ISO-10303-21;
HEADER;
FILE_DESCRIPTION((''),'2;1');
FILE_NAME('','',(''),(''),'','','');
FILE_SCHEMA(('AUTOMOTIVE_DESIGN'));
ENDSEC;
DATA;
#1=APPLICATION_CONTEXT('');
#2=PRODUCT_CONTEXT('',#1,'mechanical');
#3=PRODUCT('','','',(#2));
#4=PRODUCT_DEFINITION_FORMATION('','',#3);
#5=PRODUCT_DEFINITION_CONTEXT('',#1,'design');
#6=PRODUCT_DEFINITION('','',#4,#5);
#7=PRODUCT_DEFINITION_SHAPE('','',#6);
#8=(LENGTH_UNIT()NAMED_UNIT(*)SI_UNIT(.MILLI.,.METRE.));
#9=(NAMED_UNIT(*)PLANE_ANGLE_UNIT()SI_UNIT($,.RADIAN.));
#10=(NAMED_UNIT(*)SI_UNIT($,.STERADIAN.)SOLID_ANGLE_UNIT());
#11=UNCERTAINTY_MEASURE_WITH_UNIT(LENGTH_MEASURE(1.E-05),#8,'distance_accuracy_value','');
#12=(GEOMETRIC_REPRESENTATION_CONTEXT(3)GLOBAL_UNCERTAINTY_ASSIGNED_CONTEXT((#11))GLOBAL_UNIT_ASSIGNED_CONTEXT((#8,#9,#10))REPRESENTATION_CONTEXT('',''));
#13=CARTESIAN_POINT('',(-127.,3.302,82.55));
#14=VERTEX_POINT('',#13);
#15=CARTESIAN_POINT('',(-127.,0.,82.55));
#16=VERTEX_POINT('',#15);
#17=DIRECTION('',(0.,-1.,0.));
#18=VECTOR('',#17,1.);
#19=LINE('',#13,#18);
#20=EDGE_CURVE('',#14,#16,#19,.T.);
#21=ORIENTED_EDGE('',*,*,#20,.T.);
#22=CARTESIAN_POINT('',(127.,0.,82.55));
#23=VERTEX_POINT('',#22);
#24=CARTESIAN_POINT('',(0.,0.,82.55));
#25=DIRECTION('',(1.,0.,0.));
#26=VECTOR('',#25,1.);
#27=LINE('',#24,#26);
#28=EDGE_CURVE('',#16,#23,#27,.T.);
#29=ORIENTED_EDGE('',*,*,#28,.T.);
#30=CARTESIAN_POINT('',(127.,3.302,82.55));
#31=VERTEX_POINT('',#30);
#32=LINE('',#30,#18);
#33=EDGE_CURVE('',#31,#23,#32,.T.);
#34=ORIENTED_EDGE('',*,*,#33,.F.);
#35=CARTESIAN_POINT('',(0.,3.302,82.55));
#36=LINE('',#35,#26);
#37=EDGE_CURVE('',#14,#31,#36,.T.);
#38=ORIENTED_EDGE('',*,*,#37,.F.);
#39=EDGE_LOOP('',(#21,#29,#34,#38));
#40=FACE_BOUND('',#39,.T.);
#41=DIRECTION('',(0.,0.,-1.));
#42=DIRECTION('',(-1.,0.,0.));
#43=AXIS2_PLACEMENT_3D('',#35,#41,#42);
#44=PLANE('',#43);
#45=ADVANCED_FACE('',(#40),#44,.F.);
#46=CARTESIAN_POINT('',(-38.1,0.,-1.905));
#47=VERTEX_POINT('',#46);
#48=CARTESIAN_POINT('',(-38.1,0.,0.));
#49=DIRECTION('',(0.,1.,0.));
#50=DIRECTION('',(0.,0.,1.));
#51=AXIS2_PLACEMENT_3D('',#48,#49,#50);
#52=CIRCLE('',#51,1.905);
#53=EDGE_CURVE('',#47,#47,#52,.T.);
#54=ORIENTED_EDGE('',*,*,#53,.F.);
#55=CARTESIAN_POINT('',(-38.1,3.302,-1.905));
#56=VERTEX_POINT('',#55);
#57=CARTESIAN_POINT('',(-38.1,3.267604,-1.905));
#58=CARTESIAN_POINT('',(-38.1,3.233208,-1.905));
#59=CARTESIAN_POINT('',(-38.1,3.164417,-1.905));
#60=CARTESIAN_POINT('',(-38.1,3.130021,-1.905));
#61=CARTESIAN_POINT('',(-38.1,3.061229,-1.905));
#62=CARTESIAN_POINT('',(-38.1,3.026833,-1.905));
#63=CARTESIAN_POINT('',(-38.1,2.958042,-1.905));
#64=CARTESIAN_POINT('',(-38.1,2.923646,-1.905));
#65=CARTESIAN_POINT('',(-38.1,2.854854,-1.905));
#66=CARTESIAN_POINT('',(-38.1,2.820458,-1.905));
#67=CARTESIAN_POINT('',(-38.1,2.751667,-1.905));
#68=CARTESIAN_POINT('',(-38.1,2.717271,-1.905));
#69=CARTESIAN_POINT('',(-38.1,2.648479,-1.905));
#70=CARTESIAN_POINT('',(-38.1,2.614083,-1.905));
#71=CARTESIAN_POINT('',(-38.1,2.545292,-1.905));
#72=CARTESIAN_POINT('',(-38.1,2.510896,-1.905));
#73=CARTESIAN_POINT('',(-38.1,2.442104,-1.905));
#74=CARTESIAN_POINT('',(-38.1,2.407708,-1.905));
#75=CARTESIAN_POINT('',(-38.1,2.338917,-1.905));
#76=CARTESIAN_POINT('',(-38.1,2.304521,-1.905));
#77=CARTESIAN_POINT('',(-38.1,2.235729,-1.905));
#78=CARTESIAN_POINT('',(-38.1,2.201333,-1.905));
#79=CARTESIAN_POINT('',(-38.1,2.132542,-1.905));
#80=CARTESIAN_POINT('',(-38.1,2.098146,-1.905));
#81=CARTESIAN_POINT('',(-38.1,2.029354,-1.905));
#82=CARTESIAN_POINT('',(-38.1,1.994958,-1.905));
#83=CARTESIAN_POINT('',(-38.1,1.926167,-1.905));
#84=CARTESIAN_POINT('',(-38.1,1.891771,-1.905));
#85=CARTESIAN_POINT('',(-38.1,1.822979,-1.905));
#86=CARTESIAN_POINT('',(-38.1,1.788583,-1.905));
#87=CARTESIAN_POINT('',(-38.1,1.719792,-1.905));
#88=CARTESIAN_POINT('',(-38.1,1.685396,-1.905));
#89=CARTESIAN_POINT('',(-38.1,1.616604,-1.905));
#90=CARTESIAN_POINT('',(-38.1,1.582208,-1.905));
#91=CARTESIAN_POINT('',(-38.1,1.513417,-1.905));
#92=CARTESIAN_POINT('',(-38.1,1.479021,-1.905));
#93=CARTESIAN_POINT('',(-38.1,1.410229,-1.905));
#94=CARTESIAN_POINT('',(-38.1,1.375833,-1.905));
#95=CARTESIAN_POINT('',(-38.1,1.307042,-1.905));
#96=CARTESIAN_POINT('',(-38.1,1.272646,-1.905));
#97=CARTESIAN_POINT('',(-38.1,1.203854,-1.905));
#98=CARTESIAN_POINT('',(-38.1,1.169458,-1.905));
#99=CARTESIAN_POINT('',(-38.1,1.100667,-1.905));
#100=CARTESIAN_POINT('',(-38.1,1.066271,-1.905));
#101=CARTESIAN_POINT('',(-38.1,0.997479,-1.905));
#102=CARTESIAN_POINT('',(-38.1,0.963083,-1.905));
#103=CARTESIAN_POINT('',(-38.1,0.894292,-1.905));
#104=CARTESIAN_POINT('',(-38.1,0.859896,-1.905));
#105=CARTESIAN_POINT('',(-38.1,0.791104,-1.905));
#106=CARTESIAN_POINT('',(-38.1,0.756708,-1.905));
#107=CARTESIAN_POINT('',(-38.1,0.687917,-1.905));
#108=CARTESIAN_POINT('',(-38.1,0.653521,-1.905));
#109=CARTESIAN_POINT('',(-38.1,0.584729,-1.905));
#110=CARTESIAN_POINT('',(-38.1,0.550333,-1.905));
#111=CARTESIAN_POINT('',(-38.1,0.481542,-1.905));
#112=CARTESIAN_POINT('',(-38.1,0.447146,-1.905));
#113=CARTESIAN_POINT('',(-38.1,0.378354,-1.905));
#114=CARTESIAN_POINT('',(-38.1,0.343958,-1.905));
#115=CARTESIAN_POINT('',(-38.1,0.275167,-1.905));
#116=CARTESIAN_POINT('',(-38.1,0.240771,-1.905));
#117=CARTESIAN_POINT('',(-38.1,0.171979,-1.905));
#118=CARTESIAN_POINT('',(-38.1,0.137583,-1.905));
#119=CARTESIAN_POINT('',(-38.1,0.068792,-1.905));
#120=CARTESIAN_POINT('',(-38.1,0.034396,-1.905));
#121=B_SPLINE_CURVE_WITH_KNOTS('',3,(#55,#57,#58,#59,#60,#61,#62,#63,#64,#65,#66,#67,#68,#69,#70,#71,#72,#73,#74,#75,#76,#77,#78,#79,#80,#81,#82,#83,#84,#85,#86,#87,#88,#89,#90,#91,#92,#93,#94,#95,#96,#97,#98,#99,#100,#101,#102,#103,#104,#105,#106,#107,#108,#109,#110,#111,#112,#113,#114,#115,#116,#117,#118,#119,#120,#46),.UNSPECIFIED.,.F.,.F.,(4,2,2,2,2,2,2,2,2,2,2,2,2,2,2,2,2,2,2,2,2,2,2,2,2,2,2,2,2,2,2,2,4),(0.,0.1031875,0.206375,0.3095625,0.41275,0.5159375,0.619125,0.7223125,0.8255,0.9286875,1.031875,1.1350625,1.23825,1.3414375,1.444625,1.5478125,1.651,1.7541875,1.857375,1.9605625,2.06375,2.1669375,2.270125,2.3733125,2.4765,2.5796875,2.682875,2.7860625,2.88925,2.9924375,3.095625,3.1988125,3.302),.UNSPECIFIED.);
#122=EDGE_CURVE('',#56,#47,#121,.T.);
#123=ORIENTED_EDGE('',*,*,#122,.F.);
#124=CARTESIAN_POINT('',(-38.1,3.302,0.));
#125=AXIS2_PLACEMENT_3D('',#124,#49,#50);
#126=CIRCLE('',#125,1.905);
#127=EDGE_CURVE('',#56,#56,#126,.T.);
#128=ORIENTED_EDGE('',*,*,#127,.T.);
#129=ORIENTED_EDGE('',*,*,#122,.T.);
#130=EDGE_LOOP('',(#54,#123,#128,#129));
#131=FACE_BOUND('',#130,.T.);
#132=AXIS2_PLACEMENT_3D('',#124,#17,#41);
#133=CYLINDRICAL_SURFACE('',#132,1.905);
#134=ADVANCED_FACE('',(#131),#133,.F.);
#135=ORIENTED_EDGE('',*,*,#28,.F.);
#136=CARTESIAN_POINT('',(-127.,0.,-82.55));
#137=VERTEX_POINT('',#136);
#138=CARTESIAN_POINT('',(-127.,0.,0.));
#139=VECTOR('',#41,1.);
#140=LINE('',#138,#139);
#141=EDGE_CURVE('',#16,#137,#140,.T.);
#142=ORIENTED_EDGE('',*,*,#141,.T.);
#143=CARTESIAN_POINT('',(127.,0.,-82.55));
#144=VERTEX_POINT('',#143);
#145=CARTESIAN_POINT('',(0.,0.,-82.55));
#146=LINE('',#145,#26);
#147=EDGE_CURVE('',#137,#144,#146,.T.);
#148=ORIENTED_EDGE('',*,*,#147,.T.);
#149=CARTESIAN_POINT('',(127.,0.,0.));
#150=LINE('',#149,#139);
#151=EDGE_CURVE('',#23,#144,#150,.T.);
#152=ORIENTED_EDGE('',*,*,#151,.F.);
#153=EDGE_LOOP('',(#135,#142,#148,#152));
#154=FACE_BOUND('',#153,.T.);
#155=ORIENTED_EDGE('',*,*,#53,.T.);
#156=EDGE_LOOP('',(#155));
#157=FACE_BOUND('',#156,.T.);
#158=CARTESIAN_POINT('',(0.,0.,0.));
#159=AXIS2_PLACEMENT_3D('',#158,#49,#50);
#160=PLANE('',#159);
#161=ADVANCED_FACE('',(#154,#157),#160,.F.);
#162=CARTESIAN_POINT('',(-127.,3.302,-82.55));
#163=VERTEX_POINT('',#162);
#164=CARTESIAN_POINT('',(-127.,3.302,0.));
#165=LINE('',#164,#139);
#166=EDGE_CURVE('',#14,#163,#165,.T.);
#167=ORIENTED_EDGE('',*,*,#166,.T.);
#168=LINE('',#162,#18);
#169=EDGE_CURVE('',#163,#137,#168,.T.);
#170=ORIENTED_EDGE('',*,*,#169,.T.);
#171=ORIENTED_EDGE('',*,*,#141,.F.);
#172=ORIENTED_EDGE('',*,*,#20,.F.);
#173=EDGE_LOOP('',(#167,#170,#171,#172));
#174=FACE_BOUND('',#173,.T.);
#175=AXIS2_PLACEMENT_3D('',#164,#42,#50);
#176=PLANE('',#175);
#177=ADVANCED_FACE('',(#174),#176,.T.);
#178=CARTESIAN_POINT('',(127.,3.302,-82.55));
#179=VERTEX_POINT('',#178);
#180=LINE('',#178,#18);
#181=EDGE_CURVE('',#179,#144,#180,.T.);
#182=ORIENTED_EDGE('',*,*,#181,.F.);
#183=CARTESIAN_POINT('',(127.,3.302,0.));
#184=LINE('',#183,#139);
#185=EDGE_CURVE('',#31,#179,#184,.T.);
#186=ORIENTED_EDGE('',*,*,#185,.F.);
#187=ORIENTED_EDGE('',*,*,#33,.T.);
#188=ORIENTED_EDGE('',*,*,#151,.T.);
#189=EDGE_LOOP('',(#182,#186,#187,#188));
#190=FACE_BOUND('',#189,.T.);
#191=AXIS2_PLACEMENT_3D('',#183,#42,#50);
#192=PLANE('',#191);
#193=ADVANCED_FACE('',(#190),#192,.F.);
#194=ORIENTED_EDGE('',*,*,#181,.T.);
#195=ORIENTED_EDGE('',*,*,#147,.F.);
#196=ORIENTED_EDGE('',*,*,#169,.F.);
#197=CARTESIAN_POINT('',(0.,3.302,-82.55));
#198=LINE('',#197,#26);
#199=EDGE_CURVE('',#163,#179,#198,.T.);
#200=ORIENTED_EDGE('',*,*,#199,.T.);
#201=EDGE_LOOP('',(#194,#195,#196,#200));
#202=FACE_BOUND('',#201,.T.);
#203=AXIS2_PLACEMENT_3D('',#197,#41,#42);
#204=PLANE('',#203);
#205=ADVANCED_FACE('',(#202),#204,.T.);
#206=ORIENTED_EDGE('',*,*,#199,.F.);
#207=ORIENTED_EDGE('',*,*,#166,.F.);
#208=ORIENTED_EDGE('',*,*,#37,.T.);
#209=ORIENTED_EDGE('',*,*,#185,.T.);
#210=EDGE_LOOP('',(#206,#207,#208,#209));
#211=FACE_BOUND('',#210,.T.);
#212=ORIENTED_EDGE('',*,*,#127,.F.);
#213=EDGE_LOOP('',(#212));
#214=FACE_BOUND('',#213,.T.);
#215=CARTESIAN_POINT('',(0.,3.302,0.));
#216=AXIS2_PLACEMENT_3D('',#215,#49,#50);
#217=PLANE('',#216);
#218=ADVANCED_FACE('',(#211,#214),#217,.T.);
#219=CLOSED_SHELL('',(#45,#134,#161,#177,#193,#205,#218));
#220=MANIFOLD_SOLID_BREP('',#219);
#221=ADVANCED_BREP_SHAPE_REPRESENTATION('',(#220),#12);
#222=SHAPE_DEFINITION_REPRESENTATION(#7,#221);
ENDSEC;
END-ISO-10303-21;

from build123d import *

# Parameters (mm, degrees)
BOSS_EXTRUDE1_DEPTH = 3.302


with BuildPart() as part:
    # Sketch2 → Boss-Extrude1 (new body)
    with BuildSketch(Plane(origin=(0, 0, 0), x_dir=(1, 0, 0), z_dir=(0, 1, 0))):
        with BuildLine():
            Line((-127, 0), (-127, -82.55))
            Line((-127, -82.55), (127, -82.55))
            Line((127, -82.55), (127, 82.55))
            Line((127, 82.55), (-38.1, 82.55))
            Line((-38.1, 82.55), (-38.1, 1.905))
            ThreePointArc((-38.1, 1.905), (-36.752961582, 1.347038418), (-36.195, 0))
            ThreePointArc((-36.195, 0), (-38.1, -1.905), (-40.005, 0))
            Line((-40.005, 0), (-127, 0))
        make_face()
        with BuildLine():
            Line((-127, 82.55), (-127, 0))
            Line((-127, 0), (-40.005, 0))
            ThreePointArc((-40.005, 0), (-39.447038418, 1.347038418), (-38.1, 1.905))
            Line((-38.1, 1.905), (-38.1, 82.55))
            Line((-38.1, 82.55), (-127, 82.55))
        make_face()
    extrude(amount=BOSS_EXTRUDE1_DEPTH)


solid = part.part
